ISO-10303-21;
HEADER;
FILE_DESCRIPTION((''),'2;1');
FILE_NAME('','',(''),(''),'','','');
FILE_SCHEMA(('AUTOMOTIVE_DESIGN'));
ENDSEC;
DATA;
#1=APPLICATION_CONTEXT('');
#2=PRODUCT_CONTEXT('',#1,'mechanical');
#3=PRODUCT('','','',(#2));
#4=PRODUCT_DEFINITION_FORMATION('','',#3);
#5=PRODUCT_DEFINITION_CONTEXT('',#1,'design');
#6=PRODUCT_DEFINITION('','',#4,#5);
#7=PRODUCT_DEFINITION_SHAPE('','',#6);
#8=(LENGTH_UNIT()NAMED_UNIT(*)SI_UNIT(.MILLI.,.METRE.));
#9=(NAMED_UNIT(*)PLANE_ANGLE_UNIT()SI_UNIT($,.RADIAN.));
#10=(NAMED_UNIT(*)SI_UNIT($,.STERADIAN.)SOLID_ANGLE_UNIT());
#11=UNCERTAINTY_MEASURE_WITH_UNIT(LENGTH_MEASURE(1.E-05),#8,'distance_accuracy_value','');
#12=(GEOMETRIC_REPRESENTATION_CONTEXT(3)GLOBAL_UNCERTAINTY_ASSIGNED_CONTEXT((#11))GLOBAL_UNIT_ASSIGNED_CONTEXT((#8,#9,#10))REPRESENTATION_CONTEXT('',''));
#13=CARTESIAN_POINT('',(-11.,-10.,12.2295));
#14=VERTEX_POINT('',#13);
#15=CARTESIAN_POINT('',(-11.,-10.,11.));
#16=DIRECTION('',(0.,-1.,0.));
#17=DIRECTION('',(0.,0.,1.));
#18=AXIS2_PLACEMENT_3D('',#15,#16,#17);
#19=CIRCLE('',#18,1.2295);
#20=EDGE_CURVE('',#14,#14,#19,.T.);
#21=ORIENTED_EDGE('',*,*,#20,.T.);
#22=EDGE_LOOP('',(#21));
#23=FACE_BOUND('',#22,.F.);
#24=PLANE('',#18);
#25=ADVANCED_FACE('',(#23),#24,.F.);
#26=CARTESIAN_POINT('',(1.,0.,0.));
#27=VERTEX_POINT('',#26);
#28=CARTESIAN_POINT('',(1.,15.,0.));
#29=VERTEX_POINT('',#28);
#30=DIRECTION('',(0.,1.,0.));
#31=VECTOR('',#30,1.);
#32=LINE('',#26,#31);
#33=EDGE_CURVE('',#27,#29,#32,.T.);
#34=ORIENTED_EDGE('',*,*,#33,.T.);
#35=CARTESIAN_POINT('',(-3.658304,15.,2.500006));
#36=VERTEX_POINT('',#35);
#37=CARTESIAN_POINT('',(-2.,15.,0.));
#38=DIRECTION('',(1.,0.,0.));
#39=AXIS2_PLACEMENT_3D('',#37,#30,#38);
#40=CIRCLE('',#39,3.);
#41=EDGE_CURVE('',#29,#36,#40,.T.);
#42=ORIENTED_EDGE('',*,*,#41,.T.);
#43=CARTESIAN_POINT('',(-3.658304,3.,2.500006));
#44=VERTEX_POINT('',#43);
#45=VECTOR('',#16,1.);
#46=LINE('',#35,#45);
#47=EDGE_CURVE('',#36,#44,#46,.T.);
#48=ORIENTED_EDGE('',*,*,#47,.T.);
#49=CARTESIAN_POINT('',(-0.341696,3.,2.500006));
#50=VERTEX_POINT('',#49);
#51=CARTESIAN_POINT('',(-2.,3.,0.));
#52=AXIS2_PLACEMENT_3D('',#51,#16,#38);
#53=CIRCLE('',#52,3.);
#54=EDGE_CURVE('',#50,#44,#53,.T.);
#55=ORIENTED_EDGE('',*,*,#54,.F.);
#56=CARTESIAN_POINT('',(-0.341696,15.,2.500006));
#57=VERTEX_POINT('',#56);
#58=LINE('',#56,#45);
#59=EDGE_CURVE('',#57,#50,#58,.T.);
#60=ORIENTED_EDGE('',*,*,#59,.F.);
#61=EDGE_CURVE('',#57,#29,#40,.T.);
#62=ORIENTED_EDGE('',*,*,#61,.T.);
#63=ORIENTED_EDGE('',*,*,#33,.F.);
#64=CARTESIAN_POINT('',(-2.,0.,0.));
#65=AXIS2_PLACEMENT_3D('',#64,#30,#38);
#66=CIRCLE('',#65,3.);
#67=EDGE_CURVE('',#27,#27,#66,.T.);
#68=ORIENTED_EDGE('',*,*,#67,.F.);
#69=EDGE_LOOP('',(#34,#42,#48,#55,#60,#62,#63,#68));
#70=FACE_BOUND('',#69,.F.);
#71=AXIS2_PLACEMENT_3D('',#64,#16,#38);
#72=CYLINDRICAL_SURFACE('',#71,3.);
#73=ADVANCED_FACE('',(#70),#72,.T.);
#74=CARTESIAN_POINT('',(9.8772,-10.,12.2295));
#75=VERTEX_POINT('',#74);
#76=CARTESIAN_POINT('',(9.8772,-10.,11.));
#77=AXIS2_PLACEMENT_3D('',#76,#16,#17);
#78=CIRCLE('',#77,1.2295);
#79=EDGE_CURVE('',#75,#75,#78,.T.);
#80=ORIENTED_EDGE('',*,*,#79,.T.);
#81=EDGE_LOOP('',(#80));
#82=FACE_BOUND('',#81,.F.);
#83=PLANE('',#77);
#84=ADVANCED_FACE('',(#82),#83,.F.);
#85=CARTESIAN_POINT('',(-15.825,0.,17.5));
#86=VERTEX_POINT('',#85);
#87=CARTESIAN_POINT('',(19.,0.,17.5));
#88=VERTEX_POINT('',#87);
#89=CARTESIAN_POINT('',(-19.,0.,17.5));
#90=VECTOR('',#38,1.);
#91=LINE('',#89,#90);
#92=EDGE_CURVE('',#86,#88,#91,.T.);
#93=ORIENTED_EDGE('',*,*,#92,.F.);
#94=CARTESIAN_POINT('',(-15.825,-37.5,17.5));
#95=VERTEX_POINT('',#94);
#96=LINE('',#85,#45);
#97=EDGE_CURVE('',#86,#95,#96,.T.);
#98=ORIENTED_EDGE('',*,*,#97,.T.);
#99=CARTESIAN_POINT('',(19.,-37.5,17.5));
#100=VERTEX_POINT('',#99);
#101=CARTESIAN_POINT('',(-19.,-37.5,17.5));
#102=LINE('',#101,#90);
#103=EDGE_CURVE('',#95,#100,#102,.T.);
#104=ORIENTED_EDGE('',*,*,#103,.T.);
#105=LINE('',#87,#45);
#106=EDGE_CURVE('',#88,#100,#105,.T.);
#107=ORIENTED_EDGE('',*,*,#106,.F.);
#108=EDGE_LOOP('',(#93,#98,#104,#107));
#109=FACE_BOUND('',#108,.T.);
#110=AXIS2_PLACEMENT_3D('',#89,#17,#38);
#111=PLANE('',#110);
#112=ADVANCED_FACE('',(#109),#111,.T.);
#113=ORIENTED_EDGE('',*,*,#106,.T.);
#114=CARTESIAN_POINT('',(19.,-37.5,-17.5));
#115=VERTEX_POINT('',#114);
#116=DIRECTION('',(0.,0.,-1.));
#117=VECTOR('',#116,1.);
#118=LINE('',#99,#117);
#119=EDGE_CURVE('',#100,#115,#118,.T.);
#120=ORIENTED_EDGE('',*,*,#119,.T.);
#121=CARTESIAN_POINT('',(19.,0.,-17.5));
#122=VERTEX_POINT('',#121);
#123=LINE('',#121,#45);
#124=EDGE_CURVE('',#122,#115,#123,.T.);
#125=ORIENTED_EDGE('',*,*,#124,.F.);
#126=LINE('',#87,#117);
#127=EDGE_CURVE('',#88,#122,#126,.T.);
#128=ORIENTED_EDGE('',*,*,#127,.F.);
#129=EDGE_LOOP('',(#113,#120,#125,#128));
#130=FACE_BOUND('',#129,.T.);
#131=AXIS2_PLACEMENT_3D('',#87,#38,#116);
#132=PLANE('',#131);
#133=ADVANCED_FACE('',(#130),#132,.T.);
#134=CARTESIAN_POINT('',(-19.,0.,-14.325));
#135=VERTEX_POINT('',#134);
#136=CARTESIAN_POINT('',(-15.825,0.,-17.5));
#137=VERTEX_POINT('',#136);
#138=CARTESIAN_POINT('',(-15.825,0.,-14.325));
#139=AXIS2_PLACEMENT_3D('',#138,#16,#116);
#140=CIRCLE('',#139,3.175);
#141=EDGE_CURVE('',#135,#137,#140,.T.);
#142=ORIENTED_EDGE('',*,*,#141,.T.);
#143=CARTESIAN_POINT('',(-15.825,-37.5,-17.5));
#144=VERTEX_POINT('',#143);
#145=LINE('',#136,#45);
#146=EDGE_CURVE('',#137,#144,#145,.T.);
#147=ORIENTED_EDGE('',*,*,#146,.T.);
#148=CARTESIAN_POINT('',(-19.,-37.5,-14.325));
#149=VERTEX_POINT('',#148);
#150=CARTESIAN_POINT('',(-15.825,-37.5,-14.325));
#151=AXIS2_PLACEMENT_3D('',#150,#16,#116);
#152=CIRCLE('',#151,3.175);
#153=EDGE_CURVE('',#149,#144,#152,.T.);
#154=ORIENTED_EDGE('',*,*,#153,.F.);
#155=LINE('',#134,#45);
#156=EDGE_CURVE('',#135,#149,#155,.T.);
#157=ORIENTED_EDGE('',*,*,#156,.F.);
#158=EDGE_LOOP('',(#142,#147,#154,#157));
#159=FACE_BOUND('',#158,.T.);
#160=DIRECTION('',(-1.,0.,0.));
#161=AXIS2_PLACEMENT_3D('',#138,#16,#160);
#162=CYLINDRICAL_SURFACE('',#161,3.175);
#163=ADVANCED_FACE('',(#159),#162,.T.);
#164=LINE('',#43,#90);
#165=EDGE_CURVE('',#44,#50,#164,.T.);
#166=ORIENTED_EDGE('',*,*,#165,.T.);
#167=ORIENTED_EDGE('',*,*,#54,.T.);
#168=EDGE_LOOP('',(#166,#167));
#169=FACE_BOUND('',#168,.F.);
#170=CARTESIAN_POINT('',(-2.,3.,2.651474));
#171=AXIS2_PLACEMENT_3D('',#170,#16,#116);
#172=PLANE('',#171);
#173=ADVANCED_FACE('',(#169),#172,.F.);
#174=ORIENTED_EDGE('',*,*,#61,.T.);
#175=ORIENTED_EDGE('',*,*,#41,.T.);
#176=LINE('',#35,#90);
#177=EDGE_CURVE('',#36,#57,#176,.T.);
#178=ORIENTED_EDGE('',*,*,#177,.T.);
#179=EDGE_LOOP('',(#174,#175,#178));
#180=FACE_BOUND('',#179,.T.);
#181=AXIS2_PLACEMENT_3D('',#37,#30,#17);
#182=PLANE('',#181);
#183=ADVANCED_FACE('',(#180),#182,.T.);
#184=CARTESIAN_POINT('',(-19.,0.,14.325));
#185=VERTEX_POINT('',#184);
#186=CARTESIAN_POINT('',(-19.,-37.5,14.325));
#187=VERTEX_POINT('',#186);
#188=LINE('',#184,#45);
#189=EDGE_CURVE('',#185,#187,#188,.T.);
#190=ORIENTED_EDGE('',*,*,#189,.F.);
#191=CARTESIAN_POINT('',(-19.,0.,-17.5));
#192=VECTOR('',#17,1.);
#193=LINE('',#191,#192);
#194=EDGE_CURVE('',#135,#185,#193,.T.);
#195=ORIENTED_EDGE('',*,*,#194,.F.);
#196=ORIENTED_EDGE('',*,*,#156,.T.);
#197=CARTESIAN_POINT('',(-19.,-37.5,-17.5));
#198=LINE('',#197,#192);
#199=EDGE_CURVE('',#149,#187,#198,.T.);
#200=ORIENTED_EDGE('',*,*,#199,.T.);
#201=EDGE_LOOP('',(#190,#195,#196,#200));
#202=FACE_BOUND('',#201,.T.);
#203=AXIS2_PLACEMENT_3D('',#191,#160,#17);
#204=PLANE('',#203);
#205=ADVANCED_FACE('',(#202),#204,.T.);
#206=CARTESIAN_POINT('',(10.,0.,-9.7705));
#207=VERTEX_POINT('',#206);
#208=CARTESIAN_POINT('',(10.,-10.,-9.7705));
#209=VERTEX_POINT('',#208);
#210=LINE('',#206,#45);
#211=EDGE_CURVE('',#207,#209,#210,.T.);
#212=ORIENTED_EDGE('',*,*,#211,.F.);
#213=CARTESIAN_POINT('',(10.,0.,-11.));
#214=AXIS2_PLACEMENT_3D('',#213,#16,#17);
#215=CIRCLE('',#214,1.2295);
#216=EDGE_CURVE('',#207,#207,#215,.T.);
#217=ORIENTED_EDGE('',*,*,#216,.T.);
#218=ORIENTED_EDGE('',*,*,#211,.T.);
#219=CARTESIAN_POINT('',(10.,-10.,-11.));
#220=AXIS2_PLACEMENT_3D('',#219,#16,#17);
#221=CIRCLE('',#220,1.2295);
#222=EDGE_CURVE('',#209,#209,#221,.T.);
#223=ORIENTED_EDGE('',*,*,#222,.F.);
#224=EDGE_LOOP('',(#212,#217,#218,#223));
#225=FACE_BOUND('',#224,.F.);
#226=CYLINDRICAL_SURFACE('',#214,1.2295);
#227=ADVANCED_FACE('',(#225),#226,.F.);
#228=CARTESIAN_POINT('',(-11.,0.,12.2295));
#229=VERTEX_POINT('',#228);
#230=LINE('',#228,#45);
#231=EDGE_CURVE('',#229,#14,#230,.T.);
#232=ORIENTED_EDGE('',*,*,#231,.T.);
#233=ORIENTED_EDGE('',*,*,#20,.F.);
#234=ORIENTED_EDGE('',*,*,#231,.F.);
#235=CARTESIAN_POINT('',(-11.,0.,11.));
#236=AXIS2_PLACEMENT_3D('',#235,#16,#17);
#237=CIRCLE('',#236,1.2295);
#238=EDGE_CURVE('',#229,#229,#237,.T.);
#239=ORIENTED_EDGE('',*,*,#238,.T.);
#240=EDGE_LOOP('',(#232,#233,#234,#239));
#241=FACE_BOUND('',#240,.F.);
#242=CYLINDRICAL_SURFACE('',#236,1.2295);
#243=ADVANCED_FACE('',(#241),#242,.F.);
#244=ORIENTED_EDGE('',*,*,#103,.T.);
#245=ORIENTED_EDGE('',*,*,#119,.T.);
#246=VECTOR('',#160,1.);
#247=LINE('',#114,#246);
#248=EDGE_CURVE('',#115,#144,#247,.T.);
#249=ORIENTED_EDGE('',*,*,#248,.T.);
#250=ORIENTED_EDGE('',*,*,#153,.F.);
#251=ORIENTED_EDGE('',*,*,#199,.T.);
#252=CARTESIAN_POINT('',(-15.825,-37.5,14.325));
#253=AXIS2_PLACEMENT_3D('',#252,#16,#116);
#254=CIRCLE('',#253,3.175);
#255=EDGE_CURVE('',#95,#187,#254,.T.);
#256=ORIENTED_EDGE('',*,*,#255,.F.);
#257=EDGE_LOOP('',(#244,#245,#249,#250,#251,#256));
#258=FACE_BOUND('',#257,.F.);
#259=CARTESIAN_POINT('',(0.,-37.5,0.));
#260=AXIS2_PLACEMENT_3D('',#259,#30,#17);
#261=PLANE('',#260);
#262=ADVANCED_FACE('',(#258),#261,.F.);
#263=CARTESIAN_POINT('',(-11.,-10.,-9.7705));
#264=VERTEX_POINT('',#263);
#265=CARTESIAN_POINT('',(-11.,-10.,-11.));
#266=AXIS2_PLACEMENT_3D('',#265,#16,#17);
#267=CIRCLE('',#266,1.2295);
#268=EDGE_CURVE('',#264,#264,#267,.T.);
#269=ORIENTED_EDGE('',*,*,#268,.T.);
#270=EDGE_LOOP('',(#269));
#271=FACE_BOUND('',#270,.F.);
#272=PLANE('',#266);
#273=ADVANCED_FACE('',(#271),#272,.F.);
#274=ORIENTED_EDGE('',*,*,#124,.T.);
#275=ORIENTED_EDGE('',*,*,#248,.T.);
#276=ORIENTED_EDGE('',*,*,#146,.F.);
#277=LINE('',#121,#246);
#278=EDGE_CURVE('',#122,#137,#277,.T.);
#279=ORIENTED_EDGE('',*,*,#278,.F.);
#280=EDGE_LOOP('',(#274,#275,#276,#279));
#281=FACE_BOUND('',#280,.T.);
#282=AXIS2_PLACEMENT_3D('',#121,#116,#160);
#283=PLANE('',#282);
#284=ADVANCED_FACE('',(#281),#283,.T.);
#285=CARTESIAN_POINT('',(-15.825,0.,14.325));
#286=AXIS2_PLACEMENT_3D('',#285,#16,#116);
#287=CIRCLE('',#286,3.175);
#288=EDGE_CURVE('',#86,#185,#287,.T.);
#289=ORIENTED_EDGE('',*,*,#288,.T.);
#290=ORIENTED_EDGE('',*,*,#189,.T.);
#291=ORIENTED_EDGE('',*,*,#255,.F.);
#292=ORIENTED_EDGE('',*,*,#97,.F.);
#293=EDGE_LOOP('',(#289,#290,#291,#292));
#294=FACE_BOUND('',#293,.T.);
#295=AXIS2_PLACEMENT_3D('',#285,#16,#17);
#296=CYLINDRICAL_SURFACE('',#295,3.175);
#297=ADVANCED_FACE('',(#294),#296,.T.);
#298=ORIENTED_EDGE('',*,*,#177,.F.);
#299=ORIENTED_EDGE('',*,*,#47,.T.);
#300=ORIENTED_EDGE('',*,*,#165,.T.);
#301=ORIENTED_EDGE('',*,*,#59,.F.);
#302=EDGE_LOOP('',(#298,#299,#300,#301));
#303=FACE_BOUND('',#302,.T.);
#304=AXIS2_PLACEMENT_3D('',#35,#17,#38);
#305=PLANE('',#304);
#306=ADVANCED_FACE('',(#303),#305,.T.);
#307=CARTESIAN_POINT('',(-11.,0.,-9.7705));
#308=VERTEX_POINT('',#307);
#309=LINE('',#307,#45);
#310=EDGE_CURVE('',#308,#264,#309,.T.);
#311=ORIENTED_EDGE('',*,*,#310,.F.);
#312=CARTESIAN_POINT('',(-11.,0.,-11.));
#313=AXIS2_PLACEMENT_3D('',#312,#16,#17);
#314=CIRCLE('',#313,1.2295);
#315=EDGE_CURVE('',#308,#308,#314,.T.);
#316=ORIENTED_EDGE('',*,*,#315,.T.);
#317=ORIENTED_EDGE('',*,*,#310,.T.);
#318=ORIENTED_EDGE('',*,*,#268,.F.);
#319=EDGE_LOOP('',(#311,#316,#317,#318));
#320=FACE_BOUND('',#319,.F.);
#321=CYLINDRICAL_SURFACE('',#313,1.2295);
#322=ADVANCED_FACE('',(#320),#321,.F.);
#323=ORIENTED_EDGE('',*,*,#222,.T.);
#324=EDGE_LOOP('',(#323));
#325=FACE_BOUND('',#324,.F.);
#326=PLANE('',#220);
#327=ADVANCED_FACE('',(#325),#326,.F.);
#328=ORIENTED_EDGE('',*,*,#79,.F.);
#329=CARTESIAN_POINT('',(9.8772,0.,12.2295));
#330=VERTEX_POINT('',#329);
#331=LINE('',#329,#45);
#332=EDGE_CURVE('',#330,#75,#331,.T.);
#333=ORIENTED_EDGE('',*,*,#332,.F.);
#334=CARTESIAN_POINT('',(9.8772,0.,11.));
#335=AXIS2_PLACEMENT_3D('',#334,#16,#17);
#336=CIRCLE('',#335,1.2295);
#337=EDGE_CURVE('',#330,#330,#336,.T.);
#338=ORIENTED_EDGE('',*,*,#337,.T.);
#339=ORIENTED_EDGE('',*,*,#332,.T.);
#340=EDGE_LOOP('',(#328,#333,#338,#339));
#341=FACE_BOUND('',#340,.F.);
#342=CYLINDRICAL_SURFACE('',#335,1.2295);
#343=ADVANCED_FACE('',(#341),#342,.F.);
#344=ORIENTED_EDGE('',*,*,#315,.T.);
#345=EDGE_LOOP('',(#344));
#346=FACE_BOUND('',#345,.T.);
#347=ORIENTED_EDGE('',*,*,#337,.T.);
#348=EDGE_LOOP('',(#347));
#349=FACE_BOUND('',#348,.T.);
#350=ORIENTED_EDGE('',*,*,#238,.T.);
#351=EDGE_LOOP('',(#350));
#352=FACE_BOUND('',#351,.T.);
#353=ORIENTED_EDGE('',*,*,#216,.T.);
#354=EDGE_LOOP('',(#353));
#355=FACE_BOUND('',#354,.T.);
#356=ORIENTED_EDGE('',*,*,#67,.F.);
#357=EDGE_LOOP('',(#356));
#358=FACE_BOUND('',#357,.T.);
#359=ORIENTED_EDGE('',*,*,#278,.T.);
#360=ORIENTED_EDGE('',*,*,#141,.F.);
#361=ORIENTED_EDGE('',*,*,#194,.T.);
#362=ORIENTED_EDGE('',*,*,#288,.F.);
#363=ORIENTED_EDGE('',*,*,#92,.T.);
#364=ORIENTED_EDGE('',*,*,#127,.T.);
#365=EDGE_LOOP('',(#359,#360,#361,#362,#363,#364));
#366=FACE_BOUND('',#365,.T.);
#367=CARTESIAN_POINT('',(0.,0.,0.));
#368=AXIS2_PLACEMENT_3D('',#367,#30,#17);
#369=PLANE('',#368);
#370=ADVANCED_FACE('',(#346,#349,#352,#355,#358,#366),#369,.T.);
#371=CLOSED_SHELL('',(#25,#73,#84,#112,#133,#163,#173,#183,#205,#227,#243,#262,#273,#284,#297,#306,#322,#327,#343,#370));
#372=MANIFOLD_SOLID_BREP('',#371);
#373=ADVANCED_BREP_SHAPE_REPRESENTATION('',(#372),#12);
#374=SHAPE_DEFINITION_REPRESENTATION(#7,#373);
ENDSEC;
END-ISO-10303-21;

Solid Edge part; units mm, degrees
sketch "Sketch1" plane through (0, 0, 0) normal (0, -1, 0) x (1, 0, 0)
  line L0 (-19, 17.5) -> (19, 17.5)
  line L1 (19, 17.5) -> (19, -17.5)
  line L2 (19, -17.5) -> (-19, -17.5)
  line L3 (-19, -17.5) -> (-19, 17.5)
  dimension "D1" = 35
  dimension "D2" = 38
extrude "Protrusion1" add sketch "Sketch1" along normal blind 37.5
hole "Hole_1" at (10, 0, -11) direction (0, -1, 0) diameter 2.459 depth 10
hole "Hole1" at (-11, 0, 11) direction (0, -1, 0) diameter 2.459 depth 10
hole "Hole2" at (9.8772, 0, 11) direction (0, -1, 0) diameter 2.459 depth 10
hole "Hole3" at (-11, 0, -11) direction (0, -1, 0) diameter 2.459 depth 10
fillet "Round_1" radius 3.175 2 edges at (-19, -18.75, -17.5) (-19, -18.75, 17.5)
sketch "Sketch2" plane through (0, 0, 0) normal (0, 1, 0) x (1, 0, 0)
  circle A0 centre (-2, 0) radius 3
  dimension "D1" = 6
  dimension "D2" = 17
extrude "ExtrudedProtrusion_3" add sketch "Sketch2" along normal blind 15
sketch "Sketch3" plane through (-2, 15, 0) normal (0, 1, 0) x (1, 0, 0)
  line L0 (-1.6583, -2.5) -> (1.6583, -2.5)
  arc A0 (1.6583, -2.5) -> (-1.6583, -2.5) centre (0, 0) cw
extrude "ExtrudedCutout_1" cut sketch "Sketch3" against normal blind 12
